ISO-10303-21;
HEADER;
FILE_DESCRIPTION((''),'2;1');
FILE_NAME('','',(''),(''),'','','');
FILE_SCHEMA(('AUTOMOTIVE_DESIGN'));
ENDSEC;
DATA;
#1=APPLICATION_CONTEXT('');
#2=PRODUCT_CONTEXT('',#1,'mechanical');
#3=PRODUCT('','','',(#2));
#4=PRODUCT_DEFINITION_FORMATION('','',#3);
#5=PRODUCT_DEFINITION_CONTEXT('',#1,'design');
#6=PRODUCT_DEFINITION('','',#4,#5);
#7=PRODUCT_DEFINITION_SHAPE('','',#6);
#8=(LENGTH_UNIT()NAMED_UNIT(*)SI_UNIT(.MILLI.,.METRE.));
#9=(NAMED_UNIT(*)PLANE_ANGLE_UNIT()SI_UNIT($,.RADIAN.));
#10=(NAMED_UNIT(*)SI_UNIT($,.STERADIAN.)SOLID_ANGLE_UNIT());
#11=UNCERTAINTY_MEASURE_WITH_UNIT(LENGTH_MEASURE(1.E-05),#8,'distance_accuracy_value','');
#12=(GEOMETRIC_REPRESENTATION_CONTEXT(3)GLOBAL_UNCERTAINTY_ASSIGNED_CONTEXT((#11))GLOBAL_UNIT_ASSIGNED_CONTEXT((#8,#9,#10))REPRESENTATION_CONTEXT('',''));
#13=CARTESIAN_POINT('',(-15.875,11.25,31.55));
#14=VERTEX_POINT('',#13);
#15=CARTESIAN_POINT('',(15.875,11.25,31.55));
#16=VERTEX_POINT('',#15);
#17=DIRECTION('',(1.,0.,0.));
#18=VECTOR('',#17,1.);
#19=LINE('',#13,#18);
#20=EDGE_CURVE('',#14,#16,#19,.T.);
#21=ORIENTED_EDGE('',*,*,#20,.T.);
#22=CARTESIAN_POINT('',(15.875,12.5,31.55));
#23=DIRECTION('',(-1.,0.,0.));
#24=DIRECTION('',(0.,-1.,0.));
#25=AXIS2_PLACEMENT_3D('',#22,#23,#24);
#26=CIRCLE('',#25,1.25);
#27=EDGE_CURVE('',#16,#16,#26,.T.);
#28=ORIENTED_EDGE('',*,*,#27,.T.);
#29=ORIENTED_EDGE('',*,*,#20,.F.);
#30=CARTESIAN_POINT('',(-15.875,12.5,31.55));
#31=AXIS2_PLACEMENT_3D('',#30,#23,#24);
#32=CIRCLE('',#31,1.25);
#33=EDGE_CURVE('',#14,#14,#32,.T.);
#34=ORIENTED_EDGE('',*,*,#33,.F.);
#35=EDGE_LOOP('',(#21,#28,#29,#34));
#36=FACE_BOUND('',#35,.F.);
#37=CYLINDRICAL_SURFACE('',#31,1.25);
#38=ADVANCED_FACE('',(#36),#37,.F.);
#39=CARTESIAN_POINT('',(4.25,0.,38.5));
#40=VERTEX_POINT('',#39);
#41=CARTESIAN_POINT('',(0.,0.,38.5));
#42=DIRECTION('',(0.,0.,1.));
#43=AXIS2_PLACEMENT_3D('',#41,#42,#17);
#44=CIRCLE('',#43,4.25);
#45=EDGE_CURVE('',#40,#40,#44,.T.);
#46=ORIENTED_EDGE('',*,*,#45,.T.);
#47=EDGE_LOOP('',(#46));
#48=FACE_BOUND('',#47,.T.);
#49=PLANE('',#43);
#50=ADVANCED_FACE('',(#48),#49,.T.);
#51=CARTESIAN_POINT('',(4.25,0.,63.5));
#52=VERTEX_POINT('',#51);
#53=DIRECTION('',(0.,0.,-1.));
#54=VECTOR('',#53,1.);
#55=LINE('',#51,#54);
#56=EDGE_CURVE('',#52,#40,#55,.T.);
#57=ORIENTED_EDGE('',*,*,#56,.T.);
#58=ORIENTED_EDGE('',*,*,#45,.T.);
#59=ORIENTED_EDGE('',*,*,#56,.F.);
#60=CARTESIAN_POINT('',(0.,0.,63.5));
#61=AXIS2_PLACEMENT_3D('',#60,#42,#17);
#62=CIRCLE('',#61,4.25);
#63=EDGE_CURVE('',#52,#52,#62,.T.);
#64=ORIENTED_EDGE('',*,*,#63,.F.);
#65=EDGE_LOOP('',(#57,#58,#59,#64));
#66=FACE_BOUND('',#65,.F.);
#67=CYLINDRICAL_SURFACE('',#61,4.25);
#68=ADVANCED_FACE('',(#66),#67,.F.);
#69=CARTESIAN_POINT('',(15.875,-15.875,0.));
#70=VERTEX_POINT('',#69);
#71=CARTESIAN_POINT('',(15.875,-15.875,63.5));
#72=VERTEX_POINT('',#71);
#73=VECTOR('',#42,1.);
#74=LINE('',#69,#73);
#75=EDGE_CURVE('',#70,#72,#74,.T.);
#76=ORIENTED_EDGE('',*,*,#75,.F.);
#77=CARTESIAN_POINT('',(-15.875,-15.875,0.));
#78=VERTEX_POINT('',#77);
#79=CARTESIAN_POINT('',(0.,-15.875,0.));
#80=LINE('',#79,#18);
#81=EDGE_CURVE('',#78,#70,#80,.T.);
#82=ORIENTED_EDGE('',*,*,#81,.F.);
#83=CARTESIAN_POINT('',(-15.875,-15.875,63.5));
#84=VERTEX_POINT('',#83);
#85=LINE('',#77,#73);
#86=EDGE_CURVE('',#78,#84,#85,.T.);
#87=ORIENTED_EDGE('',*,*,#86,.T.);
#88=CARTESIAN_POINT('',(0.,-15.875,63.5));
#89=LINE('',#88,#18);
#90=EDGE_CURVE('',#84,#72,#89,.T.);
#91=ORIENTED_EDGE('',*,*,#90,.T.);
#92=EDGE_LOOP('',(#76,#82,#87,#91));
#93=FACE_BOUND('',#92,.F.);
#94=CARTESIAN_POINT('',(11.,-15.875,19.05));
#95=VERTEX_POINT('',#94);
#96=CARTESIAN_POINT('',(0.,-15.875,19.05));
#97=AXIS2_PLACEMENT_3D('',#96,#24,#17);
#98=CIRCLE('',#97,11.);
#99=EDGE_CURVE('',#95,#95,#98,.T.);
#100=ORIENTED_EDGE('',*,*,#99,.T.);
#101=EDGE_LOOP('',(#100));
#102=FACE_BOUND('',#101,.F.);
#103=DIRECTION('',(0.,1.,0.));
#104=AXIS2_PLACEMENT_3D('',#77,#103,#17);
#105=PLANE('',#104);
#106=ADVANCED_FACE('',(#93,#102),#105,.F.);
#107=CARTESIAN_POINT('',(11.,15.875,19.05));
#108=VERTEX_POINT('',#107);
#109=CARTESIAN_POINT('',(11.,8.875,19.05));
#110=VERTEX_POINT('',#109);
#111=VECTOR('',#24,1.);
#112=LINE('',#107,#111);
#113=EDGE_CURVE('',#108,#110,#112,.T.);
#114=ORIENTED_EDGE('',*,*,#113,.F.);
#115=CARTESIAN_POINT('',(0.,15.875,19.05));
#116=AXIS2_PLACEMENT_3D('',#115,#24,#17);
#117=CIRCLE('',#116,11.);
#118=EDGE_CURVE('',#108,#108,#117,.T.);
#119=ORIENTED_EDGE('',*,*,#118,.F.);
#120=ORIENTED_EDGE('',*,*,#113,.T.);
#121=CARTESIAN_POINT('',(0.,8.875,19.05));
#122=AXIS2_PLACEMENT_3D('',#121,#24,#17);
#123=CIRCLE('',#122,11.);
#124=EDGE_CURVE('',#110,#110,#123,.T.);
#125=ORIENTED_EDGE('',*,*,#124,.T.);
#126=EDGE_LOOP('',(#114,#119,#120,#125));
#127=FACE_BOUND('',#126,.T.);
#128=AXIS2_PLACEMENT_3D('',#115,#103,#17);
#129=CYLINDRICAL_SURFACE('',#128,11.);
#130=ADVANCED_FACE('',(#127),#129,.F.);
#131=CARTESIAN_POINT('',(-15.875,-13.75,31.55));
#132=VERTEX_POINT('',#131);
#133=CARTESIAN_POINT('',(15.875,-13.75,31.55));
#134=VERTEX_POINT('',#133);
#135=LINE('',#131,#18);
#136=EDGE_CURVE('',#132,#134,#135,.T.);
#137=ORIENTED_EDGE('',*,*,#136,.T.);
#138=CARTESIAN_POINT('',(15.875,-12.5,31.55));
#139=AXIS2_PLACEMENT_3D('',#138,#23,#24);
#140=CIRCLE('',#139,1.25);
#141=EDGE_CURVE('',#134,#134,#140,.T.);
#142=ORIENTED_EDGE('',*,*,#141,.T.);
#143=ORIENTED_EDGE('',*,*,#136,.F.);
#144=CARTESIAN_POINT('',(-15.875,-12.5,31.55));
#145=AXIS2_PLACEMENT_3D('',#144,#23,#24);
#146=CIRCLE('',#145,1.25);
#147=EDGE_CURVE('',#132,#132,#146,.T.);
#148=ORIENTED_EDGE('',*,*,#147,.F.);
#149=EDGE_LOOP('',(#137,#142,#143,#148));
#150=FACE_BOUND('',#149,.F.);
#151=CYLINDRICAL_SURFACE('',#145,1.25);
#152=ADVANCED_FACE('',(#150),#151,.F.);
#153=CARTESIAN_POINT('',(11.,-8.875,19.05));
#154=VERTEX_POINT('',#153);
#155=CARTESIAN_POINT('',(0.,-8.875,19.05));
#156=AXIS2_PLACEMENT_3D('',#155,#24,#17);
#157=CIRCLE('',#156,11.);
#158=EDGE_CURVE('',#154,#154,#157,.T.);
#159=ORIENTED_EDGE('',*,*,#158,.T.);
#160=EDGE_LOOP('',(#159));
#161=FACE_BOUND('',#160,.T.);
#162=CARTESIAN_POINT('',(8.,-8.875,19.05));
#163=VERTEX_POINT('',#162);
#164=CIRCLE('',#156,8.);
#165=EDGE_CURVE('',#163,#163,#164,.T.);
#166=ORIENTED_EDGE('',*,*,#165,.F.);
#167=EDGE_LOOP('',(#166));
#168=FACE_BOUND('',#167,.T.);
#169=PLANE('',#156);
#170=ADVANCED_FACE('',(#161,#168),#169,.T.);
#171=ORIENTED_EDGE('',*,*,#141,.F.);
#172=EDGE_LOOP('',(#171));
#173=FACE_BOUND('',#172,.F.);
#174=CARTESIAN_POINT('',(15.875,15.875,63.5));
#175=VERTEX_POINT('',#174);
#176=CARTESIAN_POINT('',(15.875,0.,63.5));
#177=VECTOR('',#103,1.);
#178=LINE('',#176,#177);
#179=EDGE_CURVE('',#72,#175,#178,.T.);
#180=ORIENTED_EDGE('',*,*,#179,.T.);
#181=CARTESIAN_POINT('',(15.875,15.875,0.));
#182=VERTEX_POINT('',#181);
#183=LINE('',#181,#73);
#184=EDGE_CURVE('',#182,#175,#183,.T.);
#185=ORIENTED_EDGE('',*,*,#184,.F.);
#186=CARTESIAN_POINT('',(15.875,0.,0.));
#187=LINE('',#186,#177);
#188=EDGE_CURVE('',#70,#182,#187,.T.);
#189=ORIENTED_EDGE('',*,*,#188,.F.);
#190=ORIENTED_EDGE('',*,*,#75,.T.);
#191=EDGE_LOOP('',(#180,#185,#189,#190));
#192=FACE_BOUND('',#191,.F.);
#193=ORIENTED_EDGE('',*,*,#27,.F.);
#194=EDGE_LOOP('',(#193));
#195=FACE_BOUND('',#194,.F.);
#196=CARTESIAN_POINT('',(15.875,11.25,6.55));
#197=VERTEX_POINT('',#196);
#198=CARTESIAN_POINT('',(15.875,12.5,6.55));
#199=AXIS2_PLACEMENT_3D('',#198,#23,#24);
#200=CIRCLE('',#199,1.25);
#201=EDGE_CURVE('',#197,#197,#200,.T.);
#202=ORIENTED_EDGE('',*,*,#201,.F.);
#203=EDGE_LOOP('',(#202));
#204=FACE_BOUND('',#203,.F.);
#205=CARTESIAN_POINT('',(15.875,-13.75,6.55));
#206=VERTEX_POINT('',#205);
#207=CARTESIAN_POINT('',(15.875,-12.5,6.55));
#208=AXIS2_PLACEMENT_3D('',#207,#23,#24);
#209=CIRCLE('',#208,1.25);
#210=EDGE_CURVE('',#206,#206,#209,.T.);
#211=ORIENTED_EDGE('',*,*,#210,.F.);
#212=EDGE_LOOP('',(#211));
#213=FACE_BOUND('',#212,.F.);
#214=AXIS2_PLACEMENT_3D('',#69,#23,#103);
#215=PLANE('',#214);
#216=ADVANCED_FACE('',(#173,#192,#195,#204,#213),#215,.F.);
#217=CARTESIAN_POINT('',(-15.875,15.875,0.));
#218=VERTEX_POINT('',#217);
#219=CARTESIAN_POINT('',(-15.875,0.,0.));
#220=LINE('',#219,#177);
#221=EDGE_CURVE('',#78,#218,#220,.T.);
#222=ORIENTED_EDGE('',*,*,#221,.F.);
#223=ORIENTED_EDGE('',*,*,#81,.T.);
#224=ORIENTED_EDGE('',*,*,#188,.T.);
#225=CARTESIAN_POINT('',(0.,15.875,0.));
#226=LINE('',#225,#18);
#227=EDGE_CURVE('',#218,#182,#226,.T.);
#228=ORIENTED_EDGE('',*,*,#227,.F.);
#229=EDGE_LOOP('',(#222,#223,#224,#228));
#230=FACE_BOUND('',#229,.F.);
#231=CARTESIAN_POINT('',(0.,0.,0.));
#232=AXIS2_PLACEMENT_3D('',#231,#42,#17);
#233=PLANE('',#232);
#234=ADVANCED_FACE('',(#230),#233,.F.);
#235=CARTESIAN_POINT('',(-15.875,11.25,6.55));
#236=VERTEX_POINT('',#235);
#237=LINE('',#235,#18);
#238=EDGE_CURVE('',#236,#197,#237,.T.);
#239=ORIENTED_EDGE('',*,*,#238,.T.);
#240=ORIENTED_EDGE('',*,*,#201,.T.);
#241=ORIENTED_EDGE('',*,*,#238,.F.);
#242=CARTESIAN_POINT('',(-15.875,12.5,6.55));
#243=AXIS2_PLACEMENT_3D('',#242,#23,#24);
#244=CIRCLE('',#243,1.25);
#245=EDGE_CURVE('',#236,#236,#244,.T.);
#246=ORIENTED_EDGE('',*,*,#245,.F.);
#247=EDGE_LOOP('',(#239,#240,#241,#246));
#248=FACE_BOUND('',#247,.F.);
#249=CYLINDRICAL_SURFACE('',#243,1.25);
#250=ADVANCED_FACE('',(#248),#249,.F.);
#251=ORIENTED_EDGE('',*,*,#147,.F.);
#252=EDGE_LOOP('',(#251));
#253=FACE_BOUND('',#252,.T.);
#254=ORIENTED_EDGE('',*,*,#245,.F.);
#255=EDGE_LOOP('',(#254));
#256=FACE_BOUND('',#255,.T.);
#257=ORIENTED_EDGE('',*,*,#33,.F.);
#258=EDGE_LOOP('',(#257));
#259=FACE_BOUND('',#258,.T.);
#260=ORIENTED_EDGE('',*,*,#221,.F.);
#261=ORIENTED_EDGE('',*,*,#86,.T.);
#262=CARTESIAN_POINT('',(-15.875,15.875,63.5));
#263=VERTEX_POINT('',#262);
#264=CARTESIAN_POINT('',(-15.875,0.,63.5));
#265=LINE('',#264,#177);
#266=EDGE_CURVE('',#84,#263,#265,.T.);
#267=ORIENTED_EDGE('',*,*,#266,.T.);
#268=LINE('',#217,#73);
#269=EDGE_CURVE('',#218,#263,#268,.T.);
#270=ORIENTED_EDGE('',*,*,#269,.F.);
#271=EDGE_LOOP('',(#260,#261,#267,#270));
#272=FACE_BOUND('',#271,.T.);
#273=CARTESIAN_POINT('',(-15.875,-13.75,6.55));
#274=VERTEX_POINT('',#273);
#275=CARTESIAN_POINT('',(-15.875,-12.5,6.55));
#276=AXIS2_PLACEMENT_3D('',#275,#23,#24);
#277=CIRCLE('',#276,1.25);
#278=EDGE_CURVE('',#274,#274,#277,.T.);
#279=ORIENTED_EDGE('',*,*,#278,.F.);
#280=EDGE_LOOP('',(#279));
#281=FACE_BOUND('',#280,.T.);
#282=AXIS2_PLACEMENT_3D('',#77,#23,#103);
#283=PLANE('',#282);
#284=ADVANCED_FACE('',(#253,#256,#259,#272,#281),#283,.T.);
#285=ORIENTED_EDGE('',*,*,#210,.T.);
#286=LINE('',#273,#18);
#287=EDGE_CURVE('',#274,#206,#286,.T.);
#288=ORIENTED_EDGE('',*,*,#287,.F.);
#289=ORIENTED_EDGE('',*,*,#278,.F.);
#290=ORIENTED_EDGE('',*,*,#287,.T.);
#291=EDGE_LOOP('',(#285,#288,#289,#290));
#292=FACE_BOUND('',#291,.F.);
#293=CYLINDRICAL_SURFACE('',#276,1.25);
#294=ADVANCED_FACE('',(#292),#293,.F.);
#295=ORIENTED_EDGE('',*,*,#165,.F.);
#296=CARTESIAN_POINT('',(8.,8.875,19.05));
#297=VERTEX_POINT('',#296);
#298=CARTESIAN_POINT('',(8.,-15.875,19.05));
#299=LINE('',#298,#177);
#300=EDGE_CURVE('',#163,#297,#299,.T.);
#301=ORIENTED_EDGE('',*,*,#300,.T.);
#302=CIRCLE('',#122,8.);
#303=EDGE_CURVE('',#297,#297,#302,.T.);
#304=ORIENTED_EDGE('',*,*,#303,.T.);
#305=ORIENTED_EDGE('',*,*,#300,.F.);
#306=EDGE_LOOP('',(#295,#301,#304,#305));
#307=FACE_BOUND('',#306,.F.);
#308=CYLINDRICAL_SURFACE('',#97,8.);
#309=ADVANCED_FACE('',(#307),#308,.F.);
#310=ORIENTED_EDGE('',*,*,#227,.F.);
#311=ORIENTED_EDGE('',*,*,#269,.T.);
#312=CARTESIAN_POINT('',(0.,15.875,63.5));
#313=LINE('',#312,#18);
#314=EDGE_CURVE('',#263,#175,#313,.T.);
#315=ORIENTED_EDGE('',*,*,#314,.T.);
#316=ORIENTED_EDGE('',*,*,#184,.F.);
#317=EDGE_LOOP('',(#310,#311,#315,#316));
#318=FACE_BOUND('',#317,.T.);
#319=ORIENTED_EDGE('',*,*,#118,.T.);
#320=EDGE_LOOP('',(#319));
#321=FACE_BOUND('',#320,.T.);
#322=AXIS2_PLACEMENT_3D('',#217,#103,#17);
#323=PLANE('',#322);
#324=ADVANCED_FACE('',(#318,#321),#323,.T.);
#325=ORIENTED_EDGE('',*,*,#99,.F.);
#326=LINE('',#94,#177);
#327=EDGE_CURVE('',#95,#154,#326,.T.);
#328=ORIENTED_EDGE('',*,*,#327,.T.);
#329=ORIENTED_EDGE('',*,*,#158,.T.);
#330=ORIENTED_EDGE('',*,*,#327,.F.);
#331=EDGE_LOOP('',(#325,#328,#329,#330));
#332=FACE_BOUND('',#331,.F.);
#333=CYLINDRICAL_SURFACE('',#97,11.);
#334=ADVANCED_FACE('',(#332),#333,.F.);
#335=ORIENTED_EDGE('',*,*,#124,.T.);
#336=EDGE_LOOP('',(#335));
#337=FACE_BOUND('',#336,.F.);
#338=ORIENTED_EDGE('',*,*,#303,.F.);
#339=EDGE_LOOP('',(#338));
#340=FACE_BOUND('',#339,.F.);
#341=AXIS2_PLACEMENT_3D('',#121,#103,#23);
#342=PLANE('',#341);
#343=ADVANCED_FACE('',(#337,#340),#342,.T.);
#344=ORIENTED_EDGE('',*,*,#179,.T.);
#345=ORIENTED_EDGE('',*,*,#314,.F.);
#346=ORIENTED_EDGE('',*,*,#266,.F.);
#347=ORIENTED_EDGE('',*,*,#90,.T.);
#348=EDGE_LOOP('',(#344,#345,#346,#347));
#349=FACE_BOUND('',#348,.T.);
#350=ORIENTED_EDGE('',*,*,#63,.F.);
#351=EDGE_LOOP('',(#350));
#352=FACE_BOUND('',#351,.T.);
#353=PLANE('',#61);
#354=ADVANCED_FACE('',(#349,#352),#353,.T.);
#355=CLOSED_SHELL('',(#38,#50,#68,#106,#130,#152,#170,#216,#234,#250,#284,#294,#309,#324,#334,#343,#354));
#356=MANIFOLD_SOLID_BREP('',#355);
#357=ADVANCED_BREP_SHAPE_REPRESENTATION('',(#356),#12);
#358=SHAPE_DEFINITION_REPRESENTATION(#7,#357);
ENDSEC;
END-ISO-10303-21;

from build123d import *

# Parameters (mm, degrees)
SKETCH_W        = 31.75
SKETCH_H        = 31.75
PAD_DEPTH       = 63.5
SKETCH001_R     = 11
POCKET_DEPTH    = 7
SKETCH002_R     = 8
POCKET001_DEPTH = 31.751
SKETCH003_R     = 1.25
HOLE_DEPTH      = 31.751
SKETCH004_R     = 4.25
HOLE001_DEPTH   = 25


with BuildPart() as part:
    # Sketch → Pad (new body)
    with BuildSketch(Plane.XY):
        Rectangle(SKETCH_W, SKETCH_H)
    extrude(amount=PAD_DEPTH)

    # Sketch001 (on Face2 of Pad) → Pocket (cut)
    with BuildSketch(Plane.XZ.offset(15.875)):
        with Locations((0, 19.05)):
            Circle(SKETCH001_R)
    pocket = extrude(amount=-POCKET_DEPTH, mode=Mode.SUBTRACT)

    # Mirrored: Pocket across XZ
    add(pocket.mirror(Plane.XZ), mode=Mode.SUBTRACT)

    # Sketch002 (on Face3 of Mirrored) → Pocket001 (cut, through all)
    with BuildSketch(Plane.XZ.offset(15.875)):
        with Locations((0, 19.05)):
            Circle(SKETCH002_R)
    extrude(amount=-POCKET001_DEPTH, mode=Mode.SUBTRACT)

    # Sketch003 (on Face1 of Pocket001) → Hole (cut, through all)
    with BuildSketch(Plane(origin=(-15.875, 0, 0), x_dir=(0, -1, 0), z_dir=(-1, 0, 0))):
        with Locations((12.5, 31.55)):
            Circle(SKETCH003_R)
        with Locations((12.5, 6.55)):
            Circle(SKETCH003_R)
        with Locations((-12.5, 6.55)):
            Circle(SKETCH003_R)
        with Locations((-12.5, 31.55)):
            Circle(SKETCH003_R)
    extrude(amount=-HOLE_DEPTH, mode=Mode.SUBTRACT)

    # Sketch004 (on Face4 of Hole) → Hole001 (cut)
    with BuildSketch(Plane.XY.offset(63.5)):
        Circle(SKETCH004_R)
    extrude(amount=-HOLE001_DEPTH, mode=Mode.SUBTRACT)


solid = part.part
